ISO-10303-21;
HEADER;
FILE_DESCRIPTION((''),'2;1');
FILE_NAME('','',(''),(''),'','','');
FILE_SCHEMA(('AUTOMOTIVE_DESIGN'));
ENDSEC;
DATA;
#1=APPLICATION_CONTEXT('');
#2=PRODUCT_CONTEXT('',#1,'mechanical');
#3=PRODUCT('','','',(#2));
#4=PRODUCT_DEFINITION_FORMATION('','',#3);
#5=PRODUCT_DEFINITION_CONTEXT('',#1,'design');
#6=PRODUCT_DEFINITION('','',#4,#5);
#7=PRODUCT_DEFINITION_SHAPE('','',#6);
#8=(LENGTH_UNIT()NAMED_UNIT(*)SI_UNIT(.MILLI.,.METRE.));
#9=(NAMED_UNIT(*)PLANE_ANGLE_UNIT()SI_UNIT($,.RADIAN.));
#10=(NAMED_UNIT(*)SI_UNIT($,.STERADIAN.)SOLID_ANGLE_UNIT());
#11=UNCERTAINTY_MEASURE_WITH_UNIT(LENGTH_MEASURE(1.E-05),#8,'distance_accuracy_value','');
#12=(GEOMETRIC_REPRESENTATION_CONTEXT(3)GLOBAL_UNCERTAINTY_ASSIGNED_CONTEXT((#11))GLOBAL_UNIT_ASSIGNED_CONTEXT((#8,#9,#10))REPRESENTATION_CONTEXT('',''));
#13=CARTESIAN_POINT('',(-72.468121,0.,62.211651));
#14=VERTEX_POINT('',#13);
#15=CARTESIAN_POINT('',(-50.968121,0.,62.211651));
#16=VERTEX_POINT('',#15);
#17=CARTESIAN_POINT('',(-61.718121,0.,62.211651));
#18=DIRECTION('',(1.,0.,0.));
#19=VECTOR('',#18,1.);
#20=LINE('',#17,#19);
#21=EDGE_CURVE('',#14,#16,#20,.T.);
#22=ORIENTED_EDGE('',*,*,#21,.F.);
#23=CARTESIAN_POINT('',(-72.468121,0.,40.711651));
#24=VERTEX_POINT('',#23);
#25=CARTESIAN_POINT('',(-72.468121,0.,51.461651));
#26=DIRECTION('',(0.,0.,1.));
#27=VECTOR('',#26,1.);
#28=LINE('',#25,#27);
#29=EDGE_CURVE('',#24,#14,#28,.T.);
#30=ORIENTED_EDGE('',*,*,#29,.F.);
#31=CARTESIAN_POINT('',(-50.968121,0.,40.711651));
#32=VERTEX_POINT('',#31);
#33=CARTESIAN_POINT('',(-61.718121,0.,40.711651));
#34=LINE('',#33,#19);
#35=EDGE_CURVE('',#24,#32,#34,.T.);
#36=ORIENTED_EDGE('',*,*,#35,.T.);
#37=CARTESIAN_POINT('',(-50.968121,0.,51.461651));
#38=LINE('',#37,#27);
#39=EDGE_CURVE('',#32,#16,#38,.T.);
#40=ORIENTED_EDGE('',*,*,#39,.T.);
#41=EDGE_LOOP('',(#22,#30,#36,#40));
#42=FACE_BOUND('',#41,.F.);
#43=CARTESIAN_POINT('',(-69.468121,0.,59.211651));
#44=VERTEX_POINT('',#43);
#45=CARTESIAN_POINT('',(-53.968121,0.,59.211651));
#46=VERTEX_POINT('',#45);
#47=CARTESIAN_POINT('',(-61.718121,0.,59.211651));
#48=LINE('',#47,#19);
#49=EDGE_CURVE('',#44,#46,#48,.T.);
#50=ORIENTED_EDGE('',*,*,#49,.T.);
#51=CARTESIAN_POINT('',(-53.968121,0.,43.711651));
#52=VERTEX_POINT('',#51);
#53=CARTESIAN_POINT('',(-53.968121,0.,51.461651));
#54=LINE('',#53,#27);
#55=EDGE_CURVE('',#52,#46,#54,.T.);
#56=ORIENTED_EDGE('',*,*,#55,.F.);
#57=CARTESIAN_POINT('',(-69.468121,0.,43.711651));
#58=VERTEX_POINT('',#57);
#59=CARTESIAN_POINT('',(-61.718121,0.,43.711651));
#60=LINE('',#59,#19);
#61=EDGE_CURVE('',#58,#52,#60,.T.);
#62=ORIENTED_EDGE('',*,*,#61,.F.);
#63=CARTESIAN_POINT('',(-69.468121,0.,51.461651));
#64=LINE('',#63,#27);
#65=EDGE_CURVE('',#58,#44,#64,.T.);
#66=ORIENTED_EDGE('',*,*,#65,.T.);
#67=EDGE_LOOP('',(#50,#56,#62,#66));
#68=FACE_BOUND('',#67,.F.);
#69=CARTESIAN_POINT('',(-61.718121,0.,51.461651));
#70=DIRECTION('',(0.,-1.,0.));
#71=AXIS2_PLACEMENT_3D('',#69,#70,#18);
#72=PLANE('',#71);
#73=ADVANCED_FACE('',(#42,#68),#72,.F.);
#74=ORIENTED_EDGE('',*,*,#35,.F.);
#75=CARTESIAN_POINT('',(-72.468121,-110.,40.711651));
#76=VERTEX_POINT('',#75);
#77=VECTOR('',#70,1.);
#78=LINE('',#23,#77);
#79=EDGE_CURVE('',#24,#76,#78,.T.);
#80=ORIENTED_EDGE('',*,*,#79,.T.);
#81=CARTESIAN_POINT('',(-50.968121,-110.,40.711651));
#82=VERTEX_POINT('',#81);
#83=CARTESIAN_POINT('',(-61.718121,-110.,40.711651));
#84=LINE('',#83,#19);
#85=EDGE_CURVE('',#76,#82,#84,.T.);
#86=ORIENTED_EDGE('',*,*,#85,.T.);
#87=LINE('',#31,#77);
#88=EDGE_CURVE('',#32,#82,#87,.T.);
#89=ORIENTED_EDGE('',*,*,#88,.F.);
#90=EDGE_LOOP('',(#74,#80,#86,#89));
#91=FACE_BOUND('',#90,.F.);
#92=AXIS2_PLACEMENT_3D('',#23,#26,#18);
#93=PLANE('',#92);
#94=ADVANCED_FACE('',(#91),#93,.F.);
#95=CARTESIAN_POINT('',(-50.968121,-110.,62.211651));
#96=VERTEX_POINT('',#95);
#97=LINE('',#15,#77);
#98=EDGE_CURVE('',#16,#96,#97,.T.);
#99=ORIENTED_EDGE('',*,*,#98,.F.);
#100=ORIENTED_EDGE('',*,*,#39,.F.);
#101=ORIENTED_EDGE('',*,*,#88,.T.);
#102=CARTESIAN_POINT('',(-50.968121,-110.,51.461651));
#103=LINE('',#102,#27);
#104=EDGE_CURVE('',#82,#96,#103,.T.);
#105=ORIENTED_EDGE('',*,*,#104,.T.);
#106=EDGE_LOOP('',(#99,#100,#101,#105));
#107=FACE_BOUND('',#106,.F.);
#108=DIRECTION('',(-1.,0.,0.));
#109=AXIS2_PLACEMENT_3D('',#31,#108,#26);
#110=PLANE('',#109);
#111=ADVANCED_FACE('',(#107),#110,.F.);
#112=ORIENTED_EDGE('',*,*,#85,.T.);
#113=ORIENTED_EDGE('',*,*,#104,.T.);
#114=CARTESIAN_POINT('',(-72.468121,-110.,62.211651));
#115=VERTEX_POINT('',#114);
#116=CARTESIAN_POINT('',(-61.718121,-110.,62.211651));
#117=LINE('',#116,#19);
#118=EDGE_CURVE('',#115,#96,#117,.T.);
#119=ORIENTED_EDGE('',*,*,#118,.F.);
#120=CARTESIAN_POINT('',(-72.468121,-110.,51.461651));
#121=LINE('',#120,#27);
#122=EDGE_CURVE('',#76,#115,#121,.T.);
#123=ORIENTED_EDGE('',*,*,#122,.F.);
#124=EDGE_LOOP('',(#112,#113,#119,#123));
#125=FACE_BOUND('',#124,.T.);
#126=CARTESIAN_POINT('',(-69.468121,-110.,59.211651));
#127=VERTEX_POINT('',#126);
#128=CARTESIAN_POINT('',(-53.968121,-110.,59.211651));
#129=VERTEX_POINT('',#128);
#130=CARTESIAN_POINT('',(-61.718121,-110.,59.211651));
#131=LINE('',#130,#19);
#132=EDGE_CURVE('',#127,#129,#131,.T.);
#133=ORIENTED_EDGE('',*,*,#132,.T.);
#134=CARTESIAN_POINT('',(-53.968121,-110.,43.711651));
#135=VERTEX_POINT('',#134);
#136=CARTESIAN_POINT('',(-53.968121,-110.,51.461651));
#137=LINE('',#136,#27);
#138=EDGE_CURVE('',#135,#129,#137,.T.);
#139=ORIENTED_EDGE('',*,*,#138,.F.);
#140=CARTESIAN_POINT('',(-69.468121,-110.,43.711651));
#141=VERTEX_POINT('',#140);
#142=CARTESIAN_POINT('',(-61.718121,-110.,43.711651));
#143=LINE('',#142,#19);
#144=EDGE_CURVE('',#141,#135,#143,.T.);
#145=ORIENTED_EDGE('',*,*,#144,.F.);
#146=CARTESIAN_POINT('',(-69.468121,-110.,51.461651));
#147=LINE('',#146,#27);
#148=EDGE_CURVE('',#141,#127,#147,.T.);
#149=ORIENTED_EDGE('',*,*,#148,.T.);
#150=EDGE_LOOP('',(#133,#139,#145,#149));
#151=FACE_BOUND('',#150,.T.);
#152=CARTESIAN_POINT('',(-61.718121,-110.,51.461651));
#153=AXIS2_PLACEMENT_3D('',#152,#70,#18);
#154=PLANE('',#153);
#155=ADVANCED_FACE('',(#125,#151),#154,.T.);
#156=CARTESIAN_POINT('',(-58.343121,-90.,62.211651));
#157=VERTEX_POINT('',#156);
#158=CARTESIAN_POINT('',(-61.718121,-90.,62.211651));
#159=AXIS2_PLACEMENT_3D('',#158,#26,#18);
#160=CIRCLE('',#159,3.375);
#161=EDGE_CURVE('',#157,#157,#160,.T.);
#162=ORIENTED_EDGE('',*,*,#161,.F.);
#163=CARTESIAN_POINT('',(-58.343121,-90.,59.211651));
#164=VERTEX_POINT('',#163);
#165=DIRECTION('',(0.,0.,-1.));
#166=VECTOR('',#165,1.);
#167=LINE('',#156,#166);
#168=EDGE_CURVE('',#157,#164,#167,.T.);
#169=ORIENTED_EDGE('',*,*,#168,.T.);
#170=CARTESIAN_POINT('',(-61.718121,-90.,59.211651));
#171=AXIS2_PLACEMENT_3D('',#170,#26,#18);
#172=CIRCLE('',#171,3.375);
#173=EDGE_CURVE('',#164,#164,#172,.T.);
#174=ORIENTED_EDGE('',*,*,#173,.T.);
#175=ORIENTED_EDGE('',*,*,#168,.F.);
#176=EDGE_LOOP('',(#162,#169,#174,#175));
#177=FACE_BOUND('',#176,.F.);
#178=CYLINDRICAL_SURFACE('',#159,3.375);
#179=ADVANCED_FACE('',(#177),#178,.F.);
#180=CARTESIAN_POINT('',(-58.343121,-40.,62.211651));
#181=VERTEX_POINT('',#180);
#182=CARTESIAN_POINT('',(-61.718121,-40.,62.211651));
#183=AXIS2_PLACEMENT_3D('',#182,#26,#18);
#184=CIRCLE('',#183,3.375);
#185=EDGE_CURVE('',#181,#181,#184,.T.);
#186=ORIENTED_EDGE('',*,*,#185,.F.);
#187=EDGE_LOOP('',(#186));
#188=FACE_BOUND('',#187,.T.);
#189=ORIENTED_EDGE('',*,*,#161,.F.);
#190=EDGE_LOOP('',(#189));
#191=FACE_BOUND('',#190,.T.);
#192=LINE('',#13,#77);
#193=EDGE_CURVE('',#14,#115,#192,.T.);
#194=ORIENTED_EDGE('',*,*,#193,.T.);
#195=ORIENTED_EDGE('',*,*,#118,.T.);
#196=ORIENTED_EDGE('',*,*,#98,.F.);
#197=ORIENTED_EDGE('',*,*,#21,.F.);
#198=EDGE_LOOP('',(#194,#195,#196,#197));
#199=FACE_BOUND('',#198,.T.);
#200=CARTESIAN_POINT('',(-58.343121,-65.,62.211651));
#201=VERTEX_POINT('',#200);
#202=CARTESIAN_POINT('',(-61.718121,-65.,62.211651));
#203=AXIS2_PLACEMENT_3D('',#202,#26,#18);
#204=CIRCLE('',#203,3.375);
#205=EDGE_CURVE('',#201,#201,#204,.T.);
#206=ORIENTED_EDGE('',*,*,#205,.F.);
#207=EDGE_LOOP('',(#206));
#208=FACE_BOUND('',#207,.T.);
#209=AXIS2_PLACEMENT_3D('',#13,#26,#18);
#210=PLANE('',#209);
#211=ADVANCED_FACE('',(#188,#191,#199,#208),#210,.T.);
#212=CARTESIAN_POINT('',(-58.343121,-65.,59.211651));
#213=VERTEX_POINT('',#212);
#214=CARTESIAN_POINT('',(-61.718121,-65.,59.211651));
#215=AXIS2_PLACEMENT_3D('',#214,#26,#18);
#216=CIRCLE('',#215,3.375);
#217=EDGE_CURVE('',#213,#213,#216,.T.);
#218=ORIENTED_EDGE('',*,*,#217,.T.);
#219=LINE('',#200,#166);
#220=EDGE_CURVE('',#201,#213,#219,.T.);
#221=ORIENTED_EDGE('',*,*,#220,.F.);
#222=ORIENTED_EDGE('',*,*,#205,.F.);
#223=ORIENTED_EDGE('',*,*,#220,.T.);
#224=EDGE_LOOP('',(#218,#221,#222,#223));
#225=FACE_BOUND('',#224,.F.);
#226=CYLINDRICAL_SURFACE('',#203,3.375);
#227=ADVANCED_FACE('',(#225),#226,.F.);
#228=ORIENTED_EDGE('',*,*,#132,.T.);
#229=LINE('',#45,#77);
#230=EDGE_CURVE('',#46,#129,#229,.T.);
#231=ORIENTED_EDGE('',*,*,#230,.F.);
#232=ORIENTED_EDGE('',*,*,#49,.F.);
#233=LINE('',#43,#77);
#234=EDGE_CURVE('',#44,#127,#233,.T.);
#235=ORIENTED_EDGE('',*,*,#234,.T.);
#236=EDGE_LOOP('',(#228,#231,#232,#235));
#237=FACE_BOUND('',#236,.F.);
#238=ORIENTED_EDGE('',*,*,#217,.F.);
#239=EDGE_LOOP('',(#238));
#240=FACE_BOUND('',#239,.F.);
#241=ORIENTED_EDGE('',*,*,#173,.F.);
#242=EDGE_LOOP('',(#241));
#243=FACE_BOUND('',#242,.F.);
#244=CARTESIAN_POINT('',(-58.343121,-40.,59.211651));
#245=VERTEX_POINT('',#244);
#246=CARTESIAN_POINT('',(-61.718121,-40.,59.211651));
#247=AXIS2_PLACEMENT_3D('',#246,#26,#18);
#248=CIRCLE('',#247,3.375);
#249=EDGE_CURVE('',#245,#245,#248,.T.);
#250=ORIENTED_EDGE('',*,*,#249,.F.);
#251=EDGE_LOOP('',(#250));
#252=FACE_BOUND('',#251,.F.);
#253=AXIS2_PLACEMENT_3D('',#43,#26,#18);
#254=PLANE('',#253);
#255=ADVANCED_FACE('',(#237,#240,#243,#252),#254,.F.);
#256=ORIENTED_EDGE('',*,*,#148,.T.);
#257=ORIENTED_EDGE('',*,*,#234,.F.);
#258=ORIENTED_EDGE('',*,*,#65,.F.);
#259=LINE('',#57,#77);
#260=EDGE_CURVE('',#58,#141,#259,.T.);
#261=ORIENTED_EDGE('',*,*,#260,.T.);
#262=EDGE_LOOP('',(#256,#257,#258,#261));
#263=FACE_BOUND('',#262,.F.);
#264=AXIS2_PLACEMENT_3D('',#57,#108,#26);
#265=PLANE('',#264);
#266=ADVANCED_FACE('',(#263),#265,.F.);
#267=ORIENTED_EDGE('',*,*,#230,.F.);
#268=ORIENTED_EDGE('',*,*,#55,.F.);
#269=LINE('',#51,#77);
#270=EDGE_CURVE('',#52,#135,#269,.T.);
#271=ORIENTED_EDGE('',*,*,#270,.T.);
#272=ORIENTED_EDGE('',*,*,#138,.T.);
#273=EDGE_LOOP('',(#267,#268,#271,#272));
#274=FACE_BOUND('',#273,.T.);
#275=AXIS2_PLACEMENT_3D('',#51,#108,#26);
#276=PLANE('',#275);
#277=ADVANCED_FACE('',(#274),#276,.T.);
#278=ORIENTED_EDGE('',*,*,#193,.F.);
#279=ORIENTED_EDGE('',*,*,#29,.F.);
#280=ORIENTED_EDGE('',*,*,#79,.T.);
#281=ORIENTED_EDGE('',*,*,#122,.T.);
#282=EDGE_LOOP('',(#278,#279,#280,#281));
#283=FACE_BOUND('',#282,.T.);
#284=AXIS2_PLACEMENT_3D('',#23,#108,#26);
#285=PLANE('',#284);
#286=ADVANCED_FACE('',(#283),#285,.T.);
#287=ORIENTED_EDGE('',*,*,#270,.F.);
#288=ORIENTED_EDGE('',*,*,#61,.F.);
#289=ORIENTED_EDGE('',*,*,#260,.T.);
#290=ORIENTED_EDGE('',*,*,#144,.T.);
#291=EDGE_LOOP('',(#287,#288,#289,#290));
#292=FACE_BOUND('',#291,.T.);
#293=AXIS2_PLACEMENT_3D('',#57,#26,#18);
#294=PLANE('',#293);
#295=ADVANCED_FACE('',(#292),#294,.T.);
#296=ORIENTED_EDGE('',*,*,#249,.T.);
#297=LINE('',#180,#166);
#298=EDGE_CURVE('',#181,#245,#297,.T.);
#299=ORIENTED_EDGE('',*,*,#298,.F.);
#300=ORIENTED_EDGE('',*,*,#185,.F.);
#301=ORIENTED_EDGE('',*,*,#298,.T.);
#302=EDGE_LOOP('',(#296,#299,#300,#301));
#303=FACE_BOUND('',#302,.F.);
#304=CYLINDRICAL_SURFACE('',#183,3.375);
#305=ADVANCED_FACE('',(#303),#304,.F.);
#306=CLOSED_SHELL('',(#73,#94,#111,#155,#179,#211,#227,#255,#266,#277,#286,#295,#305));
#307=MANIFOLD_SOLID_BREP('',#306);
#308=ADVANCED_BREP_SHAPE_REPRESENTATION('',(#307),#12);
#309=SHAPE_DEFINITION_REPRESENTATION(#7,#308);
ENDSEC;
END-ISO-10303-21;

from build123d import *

# Parameters (mm, degrees)
F0_W     = 21.5
F0_H     = 21.5
F0_W_2   = 15.5
F0_H_2   = 15.5
F1_DEPTH = 110
F2_R     = 3.375
F3_DEPTH = 5


with BuildPart() as f1:
    # F0 (on Front) → F1 (new body)
    with BuildSketch(Plane.XZ):
        with Locations((-61.718121, 51.461651)):
            Rectangle(F0_W, F0_H)
        with Locations((-61.718121, 51.461651)):
            Rectangle(F0_W_2, F0_H_2, mode=Mode.SUBTRACT)
    extrude(amount=F1_DEPTH)

    # F2 (on face) → F3 (cut)
    with BuildSketch(Plane.XY.offset(62.211651)):
        with Locations((-61.718121, -90)):
            Circle(F2_R)
        with Locations((-61.718121, -65)):
            Circle(F2_R)
        with Locations((-61.718121, -40)):
            Circle(F2_R)
    extrude(amount=-F3_DEPTH, mode=Mode.SUBTRACT)


solid = f1.part
